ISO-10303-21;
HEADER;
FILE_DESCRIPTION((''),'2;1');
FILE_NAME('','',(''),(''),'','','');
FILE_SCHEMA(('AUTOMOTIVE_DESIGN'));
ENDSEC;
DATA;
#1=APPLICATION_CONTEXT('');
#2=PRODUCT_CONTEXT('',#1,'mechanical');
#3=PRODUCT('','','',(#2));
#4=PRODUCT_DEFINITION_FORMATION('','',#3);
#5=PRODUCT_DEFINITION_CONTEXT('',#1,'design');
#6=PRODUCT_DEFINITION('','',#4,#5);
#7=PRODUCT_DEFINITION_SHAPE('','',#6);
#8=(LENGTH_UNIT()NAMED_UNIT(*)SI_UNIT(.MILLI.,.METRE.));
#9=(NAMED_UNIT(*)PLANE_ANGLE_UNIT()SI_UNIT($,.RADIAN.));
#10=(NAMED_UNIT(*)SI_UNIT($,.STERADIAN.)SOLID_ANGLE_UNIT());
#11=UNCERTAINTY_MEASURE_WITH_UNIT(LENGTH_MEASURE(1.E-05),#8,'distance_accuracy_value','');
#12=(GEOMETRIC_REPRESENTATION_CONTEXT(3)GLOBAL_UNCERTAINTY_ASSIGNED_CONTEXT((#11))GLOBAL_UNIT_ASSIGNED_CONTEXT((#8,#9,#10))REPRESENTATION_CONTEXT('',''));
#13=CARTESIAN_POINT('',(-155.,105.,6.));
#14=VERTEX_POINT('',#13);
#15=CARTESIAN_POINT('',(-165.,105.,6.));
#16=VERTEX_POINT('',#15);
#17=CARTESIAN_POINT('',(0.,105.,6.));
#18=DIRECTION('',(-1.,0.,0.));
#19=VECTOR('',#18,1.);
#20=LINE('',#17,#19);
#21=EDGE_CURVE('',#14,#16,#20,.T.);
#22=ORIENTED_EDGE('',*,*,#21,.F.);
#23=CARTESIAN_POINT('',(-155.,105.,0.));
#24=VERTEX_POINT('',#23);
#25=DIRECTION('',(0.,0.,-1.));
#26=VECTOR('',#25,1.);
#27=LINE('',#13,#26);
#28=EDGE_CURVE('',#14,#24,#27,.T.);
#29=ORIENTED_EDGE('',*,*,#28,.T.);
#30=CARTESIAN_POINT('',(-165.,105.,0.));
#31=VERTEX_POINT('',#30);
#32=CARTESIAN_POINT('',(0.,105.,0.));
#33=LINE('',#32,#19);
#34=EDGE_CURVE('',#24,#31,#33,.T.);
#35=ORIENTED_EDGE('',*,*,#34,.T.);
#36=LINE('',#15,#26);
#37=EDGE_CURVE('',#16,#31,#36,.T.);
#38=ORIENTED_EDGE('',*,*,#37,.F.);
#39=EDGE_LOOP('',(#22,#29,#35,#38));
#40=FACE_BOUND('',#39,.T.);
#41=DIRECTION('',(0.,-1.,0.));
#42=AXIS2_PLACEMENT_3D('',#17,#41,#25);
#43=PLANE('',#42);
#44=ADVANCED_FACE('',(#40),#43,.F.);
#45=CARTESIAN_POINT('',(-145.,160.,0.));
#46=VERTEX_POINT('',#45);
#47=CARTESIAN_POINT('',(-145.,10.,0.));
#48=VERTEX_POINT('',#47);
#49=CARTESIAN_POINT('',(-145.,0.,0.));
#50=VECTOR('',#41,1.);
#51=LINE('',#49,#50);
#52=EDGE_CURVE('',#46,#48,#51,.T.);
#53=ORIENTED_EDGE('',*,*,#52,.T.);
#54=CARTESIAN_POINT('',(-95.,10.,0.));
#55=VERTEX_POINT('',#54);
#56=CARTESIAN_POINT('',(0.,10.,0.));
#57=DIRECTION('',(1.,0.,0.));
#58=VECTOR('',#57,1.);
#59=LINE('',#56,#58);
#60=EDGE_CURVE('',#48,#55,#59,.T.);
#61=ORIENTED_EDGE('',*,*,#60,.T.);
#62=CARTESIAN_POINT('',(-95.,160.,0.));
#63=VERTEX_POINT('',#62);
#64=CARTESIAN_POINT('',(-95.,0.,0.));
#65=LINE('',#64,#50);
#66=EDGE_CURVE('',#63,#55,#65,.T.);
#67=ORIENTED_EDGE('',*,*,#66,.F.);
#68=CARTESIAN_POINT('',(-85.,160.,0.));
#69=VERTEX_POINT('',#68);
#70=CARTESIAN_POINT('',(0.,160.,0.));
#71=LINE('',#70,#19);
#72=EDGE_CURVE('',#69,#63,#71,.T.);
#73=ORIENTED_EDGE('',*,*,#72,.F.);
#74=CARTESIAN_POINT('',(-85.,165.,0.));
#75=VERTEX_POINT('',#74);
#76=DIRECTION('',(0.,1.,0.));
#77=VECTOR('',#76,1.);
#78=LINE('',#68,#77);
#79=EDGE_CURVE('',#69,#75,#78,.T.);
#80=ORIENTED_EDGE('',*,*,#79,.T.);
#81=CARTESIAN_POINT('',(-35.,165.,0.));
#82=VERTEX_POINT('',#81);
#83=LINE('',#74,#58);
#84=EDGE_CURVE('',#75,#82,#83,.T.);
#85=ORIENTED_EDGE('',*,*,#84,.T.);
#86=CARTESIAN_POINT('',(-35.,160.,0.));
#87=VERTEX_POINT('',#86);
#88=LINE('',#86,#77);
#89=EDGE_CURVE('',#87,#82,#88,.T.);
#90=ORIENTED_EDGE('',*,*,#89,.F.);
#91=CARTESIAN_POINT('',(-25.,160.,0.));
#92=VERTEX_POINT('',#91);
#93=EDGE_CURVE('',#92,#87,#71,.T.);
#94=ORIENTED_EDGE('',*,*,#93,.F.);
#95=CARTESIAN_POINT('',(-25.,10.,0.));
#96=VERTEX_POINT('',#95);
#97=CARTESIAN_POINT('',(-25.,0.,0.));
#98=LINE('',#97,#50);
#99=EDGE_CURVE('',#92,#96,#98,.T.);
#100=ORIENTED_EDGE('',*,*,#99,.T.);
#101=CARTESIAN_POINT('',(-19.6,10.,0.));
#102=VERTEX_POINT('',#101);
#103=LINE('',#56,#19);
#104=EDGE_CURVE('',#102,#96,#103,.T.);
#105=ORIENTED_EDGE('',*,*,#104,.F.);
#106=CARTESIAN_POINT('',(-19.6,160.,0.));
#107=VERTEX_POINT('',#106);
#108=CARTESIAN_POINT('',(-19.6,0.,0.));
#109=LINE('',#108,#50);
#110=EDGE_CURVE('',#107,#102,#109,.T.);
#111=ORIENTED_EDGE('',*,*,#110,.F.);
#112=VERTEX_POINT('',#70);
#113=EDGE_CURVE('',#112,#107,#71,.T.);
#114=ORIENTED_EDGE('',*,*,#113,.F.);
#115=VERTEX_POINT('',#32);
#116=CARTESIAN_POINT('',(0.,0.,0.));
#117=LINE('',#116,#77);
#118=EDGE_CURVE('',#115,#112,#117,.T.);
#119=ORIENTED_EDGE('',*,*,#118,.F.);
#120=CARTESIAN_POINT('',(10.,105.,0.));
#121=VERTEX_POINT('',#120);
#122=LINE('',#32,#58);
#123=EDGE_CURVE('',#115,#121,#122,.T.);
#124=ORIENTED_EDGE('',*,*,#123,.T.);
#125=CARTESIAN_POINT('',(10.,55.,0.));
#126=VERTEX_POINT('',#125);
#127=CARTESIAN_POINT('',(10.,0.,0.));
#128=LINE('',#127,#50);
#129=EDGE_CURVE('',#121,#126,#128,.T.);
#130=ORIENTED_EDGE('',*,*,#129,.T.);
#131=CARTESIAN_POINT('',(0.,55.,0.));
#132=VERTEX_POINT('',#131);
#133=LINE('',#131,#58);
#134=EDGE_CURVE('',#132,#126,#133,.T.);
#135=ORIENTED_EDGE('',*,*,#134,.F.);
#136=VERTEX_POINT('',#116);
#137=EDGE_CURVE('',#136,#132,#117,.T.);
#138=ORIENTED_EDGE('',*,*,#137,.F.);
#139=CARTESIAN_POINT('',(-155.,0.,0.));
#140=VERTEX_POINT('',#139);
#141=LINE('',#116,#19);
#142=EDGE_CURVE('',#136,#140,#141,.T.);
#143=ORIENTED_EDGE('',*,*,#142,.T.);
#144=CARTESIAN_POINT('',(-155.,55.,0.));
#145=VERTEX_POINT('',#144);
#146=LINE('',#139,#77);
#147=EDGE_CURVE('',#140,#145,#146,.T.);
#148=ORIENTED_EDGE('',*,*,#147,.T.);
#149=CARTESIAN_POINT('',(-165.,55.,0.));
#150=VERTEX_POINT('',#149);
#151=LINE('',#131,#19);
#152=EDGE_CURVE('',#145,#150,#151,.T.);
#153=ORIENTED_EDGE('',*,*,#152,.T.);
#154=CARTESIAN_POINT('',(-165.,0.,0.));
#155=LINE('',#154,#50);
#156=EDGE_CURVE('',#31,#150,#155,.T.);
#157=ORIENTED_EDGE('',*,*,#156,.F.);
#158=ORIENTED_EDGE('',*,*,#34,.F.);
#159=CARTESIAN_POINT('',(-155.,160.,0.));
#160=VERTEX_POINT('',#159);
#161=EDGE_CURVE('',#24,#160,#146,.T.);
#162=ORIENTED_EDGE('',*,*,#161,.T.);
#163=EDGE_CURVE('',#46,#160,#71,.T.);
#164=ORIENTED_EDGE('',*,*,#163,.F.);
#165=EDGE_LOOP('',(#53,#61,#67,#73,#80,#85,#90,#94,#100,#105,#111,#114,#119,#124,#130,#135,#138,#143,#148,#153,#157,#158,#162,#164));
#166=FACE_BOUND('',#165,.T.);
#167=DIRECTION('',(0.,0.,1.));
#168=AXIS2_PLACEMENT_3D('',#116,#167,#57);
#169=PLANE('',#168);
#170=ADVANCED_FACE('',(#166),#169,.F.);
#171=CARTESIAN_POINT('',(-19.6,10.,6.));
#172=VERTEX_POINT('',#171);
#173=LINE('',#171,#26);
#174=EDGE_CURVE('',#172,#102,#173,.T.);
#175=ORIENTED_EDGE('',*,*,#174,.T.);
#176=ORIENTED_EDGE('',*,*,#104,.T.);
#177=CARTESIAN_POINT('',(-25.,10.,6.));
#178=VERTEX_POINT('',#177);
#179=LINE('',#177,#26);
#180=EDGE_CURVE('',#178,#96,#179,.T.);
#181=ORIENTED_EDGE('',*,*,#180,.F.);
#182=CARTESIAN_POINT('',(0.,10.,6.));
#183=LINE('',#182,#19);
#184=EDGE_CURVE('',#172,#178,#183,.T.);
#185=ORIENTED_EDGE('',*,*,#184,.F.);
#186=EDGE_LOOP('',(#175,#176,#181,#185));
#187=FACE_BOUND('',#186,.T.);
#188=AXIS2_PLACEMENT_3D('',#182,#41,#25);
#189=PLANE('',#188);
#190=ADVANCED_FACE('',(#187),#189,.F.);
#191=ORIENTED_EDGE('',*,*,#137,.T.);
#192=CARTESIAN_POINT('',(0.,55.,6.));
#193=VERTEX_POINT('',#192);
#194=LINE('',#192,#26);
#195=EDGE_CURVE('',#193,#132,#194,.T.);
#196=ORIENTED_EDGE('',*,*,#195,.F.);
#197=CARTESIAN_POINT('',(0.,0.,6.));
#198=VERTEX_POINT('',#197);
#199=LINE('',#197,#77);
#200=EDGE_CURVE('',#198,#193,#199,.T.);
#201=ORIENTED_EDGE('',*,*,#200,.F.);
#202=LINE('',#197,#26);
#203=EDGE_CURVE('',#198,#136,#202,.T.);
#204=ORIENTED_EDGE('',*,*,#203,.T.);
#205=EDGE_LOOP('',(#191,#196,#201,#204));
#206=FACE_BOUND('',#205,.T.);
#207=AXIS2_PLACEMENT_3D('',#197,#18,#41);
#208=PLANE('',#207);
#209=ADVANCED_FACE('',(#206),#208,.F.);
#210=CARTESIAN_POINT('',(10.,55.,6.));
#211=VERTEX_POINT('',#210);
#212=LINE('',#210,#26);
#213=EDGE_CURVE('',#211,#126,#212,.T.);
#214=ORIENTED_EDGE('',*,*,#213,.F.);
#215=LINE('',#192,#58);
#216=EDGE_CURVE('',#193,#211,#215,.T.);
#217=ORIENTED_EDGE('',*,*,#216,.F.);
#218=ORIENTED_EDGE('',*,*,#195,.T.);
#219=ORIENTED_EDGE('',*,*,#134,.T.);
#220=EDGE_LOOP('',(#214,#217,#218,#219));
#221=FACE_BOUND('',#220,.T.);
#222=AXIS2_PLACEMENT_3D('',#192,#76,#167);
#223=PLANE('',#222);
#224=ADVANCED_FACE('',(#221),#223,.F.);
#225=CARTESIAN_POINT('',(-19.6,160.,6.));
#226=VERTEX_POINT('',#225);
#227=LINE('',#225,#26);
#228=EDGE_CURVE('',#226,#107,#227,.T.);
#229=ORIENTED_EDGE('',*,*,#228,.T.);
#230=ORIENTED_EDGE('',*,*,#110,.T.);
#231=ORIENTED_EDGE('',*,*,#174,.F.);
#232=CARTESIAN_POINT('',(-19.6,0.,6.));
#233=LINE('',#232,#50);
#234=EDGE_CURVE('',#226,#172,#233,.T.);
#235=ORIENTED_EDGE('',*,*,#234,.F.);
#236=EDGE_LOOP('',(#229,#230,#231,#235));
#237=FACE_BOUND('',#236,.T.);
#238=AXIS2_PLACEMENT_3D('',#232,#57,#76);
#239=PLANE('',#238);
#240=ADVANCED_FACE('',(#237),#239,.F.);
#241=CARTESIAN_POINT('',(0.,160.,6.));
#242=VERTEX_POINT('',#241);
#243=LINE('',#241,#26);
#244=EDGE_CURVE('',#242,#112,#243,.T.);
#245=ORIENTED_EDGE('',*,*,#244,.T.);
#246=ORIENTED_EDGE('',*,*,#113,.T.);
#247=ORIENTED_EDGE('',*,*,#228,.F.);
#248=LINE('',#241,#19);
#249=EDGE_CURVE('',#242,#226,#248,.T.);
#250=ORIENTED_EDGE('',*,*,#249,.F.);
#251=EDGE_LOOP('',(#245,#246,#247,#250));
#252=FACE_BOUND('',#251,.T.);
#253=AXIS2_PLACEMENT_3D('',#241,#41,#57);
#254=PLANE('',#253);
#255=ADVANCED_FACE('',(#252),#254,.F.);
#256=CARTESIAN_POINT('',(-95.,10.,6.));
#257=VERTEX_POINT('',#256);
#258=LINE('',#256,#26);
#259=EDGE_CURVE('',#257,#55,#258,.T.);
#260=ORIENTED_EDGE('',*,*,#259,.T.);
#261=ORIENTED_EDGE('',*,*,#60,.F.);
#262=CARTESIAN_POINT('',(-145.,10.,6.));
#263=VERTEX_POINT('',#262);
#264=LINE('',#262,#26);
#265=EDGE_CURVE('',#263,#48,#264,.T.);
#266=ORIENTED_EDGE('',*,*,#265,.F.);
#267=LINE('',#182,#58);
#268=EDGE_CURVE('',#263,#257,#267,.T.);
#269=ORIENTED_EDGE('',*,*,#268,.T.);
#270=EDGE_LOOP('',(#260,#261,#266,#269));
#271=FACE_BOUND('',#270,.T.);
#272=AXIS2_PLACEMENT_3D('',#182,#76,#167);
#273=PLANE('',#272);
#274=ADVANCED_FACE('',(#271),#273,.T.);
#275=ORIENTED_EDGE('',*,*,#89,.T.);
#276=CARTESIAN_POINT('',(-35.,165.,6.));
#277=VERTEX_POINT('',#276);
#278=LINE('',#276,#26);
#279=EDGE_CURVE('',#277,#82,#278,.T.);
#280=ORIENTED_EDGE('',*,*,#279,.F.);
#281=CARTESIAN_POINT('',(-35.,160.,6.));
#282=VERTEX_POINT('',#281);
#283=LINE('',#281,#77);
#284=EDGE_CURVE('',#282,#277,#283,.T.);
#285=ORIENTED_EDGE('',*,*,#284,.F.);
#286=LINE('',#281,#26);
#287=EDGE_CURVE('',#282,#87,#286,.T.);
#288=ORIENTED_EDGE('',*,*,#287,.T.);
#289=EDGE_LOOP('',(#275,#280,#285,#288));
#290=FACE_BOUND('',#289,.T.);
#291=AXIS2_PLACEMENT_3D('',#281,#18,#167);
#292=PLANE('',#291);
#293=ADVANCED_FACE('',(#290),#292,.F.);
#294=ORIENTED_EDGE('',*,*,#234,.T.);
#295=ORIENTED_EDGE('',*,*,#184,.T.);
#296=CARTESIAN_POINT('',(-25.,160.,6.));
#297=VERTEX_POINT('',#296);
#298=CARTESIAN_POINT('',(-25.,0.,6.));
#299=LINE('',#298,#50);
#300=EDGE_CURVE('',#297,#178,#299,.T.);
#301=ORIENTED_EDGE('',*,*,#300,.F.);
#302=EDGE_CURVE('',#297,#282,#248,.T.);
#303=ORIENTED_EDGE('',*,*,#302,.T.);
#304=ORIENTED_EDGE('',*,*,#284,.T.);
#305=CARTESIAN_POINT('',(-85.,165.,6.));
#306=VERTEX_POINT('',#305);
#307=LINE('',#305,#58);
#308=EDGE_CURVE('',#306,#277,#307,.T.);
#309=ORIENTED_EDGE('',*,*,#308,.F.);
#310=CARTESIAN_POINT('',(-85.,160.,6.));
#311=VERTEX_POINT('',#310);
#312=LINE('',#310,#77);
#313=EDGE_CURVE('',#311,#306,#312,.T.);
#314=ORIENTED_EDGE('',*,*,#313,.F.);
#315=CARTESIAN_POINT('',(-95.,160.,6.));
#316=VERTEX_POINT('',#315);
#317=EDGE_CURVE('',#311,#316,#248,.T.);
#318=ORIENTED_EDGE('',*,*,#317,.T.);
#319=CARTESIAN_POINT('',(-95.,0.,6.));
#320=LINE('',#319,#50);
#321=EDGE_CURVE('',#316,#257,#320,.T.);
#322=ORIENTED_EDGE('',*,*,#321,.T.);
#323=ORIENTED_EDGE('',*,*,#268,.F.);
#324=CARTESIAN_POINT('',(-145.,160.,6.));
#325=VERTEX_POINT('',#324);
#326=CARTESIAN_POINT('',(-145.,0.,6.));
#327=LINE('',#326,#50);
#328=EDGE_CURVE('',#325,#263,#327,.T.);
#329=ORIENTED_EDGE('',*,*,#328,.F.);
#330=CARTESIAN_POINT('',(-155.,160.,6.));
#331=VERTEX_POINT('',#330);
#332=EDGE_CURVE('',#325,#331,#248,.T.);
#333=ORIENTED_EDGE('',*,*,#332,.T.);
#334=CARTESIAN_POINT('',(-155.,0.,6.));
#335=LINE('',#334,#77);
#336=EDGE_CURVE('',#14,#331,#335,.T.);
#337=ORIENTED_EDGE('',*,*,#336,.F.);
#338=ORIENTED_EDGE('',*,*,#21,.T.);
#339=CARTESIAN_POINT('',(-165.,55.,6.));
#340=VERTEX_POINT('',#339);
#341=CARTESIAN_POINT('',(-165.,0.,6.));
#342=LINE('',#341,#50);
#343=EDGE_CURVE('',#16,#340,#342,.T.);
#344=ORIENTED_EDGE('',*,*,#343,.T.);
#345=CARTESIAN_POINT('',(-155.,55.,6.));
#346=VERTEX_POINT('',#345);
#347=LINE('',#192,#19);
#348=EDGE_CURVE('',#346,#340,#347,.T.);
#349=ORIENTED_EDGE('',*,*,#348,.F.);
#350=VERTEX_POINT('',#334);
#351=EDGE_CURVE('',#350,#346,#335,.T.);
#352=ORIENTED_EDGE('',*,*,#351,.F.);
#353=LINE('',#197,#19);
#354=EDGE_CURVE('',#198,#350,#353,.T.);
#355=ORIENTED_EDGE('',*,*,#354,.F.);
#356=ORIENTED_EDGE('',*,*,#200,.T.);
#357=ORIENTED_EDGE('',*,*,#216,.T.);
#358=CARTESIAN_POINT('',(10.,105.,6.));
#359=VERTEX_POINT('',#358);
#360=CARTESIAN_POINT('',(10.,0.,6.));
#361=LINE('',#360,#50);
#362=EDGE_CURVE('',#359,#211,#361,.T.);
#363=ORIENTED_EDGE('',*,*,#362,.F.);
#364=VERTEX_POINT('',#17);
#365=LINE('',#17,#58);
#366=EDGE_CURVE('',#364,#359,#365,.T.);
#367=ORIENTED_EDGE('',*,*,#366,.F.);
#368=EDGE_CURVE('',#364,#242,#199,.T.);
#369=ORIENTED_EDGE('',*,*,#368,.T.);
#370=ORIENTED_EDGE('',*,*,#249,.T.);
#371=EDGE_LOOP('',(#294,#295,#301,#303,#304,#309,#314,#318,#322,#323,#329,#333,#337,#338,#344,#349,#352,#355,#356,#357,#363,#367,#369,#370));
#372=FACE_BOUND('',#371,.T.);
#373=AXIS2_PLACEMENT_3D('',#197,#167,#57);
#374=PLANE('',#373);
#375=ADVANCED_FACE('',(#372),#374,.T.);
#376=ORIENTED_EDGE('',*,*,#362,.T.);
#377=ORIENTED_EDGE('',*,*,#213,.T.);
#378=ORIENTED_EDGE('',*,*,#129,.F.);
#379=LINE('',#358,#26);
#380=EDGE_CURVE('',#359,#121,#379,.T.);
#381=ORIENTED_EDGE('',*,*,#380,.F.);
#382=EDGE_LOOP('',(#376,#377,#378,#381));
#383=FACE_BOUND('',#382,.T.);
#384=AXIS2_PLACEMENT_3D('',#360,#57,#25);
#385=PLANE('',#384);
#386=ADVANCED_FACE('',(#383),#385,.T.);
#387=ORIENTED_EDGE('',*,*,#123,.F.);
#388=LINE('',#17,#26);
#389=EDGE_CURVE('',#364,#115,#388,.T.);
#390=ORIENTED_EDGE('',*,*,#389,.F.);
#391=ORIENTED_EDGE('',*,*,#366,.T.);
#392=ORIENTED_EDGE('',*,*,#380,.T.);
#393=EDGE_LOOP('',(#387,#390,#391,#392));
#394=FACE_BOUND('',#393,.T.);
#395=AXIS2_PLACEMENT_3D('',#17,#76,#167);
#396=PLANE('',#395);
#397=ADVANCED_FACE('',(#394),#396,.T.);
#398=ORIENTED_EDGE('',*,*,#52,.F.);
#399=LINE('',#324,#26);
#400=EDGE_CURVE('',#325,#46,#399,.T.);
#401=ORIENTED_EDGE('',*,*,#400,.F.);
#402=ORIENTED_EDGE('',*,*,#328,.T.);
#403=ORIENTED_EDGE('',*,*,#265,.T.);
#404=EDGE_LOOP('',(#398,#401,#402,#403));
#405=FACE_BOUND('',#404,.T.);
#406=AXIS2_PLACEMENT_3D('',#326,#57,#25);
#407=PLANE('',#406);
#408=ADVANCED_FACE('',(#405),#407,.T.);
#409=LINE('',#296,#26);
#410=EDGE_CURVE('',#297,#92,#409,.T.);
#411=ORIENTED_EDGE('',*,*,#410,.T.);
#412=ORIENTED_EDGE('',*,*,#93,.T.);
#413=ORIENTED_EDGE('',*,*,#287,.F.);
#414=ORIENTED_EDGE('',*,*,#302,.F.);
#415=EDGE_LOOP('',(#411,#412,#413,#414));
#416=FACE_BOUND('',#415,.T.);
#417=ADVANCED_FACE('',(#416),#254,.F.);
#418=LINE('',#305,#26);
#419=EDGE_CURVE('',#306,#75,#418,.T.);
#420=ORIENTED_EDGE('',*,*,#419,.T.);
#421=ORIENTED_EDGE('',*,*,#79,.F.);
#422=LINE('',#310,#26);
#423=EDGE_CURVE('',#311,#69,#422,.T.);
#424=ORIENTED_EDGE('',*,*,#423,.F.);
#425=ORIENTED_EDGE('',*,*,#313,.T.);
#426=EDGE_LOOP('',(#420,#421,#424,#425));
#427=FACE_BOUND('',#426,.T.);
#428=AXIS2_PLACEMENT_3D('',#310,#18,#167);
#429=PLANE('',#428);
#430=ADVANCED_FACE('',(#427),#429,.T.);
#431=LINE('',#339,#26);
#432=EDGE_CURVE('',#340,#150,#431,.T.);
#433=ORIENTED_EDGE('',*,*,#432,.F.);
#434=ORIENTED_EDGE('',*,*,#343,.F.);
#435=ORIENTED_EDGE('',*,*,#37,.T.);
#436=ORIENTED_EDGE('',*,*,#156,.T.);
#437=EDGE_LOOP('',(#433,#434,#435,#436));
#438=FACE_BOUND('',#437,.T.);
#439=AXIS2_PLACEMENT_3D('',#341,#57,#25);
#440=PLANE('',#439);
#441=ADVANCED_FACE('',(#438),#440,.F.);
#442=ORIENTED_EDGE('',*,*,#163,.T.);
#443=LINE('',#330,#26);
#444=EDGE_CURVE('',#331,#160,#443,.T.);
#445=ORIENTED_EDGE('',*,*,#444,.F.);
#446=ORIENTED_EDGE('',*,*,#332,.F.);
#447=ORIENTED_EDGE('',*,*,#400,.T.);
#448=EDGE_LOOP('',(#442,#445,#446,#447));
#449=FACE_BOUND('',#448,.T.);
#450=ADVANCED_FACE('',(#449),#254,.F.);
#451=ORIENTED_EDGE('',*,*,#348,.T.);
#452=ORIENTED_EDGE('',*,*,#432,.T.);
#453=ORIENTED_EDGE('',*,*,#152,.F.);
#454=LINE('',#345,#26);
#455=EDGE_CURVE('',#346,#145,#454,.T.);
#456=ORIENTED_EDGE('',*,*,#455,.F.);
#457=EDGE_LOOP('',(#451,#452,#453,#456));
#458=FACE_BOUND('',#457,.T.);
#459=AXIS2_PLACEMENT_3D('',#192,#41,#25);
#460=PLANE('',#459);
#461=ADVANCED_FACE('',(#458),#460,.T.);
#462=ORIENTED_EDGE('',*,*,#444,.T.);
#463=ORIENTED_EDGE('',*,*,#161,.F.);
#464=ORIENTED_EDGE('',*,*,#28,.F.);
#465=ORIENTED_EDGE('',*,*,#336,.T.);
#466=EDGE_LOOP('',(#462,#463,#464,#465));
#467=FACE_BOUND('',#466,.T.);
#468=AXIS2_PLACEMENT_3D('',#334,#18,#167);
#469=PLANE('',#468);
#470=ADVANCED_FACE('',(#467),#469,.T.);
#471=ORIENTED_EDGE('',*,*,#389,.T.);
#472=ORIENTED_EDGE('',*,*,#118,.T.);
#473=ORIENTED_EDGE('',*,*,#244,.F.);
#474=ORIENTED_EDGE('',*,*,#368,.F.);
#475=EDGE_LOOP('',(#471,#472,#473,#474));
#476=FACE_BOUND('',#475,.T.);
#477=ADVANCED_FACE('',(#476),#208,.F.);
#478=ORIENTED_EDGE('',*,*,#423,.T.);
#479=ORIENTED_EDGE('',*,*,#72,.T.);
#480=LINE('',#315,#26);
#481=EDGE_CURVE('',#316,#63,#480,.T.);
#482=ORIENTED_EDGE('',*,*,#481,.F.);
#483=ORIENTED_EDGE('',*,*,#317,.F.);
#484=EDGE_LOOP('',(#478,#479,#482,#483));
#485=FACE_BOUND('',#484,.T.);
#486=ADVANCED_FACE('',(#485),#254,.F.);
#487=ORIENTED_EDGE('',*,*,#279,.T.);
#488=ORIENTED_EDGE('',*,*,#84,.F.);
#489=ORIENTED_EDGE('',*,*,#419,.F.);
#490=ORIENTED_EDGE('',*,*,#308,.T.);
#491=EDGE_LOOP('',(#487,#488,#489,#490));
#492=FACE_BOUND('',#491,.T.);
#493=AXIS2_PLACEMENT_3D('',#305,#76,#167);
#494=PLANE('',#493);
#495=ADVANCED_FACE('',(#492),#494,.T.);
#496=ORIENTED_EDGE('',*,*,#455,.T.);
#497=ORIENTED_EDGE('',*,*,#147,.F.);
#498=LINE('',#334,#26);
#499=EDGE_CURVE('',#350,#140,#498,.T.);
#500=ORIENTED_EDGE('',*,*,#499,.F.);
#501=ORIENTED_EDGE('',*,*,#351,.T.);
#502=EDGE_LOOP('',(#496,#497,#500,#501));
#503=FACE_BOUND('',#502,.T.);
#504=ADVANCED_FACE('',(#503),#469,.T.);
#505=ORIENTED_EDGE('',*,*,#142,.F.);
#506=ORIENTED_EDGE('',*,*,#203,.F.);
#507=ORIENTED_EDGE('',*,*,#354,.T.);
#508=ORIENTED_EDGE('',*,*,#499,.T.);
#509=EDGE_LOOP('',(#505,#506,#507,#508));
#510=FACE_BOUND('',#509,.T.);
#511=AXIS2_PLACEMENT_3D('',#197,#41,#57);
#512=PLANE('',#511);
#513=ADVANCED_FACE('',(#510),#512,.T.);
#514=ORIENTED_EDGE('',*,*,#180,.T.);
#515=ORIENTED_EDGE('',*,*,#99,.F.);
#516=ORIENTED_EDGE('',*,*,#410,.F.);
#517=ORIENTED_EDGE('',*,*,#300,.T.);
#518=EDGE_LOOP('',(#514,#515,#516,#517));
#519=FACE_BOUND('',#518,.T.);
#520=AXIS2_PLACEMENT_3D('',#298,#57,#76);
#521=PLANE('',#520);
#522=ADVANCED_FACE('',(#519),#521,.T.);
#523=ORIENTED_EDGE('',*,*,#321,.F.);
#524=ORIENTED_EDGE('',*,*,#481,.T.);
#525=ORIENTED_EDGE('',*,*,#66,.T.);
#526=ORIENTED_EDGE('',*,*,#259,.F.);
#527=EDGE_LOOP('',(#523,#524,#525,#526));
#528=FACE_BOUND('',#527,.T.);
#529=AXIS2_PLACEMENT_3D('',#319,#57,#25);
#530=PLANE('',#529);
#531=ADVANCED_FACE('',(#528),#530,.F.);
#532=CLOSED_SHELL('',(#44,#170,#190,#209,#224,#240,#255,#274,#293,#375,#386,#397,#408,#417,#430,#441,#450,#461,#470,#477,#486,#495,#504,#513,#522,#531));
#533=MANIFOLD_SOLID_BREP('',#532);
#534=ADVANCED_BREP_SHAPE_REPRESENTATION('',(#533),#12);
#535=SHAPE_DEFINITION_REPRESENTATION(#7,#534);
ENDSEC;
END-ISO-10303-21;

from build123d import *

# Parameters (mm, degrees)
SKETCH1_W           = 10
SKETCH1_H           = 50
SKETCH1_W_2         = 50
SKETCH1_H_2         = 5
BOSS_EXTRUDE1_DEPTH = 6


with BuildPart() as part:
    # Sketch1 → Boss-Extrude1 (new body)
    with BuildSketch(Plane.XY):
        Polygon((-155, 0), (0, 0), (0, 55), (0, 105), (0, 160), (-19.6, 160), (-19.6, 10), (-25, 10), (-25, 160), (-35, 160), (-72.61115591, 160), (-77.64696312, 160), (-85, 160), (-95, 160), (-95, 10), (-145, 10), (-145, 160), (-155, 160), (-155, 105), (-155, 55), align=None)
        with Locations((-160, 80)):
            Rectangle(SKETCH1_W, SKETCH1_H)
        with Locations((5, 80)):
            Rectangle(SKETCH1_W, SKETCH1_H)
        with Locations((-60, 162.5)):
            Rectangle(SKETCH1_W_2, SKETCH1_H_2)
    extrude(amount=BOSS_EXTRUDE1_DEPTH)


solid = part.part
